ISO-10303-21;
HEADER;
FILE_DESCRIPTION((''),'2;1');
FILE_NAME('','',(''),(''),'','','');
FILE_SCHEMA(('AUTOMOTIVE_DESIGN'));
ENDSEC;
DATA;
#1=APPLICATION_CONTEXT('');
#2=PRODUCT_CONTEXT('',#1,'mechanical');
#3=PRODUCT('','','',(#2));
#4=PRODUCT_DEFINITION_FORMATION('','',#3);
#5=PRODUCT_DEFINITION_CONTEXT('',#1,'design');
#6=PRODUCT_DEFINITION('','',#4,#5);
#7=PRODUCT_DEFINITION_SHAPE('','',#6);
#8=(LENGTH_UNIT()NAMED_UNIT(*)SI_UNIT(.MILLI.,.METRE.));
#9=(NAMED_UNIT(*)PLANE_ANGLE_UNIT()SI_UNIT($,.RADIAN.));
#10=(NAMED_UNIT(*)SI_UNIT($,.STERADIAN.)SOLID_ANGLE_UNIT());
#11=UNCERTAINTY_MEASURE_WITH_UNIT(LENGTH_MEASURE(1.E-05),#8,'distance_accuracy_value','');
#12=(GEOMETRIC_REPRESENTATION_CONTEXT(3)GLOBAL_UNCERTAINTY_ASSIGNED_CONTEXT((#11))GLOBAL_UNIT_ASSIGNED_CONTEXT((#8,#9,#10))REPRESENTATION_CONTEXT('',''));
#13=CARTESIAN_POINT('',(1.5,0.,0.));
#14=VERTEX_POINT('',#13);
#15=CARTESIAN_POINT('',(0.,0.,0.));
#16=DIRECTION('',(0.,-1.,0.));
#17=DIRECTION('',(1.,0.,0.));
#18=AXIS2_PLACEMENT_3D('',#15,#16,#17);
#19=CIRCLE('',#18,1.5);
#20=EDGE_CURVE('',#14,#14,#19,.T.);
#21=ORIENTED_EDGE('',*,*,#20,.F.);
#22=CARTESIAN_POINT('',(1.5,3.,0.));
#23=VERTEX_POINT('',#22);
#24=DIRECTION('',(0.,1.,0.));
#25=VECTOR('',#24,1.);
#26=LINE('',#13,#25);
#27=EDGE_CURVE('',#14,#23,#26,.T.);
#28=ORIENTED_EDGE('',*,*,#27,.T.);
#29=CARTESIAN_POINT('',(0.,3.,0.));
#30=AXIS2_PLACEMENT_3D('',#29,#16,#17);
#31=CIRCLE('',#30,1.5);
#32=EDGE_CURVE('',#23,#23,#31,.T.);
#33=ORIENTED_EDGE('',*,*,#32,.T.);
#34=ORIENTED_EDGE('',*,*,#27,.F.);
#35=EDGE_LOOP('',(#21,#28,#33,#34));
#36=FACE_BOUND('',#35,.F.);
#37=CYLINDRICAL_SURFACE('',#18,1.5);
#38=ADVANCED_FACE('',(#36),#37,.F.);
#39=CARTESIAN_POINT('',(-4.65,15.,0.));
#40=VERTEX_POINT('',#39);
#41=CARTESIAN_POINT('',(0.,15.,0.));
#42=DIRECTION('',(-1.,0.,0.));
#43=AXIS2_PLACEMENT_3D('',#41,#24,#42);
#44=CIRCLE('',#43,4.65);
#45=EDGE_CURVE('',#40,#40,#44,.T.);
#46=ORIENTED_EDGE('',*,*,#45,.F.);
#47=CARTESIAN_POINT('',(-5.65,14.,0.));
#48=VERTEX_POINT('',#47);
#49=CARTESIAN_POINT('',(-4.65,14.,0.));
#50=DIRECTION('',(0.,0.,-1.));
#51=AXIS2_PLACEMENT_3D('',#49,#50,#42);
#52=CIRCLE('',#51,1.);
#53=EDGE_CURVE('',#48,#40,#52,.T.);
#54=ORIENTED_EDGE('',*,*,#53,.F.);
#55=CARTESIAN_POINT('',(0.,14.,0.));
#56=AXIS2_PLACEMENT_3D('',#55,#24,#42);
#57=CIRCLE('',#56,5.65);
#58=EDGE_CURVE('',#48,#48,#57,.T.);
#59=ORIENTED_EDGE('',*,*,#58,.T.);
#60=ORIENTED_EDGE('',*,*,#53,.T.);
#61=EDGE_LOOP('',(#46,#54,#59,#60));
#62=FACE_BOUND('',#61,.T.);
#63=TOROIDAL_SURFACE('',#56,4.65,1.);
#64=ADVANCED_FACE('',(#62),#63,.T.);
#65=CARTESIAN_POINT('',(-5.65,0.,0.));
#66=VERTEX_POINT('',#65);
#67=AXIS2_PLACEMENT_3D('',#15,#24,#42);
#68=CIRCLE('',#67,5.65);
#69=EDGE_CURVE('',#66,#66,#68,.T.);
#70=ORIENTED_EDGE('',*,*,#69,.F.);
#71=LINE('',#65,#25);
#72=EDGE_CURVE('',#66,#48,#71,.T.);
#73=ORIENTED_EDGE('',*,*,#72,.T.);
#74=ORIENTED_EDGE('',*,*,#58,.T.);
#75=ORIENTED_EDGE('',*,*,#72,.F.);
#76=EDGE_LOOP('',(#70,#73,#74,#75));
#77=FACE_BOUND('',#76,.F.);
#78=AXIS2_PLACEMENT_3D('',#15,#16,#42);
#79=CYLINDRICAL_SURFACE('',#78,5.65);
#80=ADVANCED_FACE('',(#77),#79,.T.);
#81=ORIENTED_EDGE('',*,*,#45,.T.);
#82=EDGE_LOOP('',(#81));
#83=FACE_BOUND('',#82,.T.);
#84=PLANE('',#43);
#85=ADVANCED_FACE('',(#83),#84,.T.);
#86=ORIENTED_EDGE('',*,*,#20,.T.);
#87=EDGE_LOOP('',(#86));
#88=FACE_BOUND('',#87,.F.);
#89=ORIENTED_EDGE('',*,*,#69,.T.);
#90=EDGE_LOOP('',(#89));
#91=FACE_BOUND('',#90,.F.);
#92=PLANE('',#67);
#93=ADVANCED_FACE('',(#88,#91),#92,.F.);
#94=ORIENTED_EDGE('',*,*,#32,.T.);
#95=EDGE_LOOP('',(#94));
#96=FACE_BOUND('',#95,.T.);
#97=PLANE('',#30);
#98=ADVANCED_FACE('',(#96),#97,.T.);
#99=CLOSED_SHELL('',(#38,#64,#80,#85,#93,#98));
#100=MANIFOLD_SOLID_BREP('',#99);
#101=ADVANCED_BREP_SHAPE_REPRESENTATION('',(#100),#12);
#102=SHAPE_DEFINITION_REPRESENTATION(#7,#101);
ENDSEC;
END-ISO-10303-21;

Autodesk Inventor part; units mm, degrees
ref_plane "YZ Plane" through (0, 0, 0) normal (1, 0, 0) x (0, 1, 0)
ref_plane "XZ Plane" through (0, 0, 0) normal (0, 1, 0) x (-1, 0, 0)
ref_plane "XY Plane" through (0, 0, 0) normal (0, 0, 1) x (1, 0, 0)
sketch "Sketch1" plane through (0, 0, 0) normal (0, 1, 0) x (-1, 0, 0)
  circle A0 centre (0, 0) radius 5.65
  dimension "d0" = 11.3
extrude "Extrusion1" add sketch "Sketch1" along normal blind 15
sketch "Sketch2" plane through (0, 0, 0) normal (0, -1, 0) x (1, 0, 0)
  circle A0 centre (0, 0) radius 1.5
  dimension "d3" = 3
extrude "Extrusion2" cut sketch "Sketch2" against normal blind 3
fillet "Fillet1" radius 1 1 edges at (5.65, 15, 0)
properties part number "Pieza de Silicona"
